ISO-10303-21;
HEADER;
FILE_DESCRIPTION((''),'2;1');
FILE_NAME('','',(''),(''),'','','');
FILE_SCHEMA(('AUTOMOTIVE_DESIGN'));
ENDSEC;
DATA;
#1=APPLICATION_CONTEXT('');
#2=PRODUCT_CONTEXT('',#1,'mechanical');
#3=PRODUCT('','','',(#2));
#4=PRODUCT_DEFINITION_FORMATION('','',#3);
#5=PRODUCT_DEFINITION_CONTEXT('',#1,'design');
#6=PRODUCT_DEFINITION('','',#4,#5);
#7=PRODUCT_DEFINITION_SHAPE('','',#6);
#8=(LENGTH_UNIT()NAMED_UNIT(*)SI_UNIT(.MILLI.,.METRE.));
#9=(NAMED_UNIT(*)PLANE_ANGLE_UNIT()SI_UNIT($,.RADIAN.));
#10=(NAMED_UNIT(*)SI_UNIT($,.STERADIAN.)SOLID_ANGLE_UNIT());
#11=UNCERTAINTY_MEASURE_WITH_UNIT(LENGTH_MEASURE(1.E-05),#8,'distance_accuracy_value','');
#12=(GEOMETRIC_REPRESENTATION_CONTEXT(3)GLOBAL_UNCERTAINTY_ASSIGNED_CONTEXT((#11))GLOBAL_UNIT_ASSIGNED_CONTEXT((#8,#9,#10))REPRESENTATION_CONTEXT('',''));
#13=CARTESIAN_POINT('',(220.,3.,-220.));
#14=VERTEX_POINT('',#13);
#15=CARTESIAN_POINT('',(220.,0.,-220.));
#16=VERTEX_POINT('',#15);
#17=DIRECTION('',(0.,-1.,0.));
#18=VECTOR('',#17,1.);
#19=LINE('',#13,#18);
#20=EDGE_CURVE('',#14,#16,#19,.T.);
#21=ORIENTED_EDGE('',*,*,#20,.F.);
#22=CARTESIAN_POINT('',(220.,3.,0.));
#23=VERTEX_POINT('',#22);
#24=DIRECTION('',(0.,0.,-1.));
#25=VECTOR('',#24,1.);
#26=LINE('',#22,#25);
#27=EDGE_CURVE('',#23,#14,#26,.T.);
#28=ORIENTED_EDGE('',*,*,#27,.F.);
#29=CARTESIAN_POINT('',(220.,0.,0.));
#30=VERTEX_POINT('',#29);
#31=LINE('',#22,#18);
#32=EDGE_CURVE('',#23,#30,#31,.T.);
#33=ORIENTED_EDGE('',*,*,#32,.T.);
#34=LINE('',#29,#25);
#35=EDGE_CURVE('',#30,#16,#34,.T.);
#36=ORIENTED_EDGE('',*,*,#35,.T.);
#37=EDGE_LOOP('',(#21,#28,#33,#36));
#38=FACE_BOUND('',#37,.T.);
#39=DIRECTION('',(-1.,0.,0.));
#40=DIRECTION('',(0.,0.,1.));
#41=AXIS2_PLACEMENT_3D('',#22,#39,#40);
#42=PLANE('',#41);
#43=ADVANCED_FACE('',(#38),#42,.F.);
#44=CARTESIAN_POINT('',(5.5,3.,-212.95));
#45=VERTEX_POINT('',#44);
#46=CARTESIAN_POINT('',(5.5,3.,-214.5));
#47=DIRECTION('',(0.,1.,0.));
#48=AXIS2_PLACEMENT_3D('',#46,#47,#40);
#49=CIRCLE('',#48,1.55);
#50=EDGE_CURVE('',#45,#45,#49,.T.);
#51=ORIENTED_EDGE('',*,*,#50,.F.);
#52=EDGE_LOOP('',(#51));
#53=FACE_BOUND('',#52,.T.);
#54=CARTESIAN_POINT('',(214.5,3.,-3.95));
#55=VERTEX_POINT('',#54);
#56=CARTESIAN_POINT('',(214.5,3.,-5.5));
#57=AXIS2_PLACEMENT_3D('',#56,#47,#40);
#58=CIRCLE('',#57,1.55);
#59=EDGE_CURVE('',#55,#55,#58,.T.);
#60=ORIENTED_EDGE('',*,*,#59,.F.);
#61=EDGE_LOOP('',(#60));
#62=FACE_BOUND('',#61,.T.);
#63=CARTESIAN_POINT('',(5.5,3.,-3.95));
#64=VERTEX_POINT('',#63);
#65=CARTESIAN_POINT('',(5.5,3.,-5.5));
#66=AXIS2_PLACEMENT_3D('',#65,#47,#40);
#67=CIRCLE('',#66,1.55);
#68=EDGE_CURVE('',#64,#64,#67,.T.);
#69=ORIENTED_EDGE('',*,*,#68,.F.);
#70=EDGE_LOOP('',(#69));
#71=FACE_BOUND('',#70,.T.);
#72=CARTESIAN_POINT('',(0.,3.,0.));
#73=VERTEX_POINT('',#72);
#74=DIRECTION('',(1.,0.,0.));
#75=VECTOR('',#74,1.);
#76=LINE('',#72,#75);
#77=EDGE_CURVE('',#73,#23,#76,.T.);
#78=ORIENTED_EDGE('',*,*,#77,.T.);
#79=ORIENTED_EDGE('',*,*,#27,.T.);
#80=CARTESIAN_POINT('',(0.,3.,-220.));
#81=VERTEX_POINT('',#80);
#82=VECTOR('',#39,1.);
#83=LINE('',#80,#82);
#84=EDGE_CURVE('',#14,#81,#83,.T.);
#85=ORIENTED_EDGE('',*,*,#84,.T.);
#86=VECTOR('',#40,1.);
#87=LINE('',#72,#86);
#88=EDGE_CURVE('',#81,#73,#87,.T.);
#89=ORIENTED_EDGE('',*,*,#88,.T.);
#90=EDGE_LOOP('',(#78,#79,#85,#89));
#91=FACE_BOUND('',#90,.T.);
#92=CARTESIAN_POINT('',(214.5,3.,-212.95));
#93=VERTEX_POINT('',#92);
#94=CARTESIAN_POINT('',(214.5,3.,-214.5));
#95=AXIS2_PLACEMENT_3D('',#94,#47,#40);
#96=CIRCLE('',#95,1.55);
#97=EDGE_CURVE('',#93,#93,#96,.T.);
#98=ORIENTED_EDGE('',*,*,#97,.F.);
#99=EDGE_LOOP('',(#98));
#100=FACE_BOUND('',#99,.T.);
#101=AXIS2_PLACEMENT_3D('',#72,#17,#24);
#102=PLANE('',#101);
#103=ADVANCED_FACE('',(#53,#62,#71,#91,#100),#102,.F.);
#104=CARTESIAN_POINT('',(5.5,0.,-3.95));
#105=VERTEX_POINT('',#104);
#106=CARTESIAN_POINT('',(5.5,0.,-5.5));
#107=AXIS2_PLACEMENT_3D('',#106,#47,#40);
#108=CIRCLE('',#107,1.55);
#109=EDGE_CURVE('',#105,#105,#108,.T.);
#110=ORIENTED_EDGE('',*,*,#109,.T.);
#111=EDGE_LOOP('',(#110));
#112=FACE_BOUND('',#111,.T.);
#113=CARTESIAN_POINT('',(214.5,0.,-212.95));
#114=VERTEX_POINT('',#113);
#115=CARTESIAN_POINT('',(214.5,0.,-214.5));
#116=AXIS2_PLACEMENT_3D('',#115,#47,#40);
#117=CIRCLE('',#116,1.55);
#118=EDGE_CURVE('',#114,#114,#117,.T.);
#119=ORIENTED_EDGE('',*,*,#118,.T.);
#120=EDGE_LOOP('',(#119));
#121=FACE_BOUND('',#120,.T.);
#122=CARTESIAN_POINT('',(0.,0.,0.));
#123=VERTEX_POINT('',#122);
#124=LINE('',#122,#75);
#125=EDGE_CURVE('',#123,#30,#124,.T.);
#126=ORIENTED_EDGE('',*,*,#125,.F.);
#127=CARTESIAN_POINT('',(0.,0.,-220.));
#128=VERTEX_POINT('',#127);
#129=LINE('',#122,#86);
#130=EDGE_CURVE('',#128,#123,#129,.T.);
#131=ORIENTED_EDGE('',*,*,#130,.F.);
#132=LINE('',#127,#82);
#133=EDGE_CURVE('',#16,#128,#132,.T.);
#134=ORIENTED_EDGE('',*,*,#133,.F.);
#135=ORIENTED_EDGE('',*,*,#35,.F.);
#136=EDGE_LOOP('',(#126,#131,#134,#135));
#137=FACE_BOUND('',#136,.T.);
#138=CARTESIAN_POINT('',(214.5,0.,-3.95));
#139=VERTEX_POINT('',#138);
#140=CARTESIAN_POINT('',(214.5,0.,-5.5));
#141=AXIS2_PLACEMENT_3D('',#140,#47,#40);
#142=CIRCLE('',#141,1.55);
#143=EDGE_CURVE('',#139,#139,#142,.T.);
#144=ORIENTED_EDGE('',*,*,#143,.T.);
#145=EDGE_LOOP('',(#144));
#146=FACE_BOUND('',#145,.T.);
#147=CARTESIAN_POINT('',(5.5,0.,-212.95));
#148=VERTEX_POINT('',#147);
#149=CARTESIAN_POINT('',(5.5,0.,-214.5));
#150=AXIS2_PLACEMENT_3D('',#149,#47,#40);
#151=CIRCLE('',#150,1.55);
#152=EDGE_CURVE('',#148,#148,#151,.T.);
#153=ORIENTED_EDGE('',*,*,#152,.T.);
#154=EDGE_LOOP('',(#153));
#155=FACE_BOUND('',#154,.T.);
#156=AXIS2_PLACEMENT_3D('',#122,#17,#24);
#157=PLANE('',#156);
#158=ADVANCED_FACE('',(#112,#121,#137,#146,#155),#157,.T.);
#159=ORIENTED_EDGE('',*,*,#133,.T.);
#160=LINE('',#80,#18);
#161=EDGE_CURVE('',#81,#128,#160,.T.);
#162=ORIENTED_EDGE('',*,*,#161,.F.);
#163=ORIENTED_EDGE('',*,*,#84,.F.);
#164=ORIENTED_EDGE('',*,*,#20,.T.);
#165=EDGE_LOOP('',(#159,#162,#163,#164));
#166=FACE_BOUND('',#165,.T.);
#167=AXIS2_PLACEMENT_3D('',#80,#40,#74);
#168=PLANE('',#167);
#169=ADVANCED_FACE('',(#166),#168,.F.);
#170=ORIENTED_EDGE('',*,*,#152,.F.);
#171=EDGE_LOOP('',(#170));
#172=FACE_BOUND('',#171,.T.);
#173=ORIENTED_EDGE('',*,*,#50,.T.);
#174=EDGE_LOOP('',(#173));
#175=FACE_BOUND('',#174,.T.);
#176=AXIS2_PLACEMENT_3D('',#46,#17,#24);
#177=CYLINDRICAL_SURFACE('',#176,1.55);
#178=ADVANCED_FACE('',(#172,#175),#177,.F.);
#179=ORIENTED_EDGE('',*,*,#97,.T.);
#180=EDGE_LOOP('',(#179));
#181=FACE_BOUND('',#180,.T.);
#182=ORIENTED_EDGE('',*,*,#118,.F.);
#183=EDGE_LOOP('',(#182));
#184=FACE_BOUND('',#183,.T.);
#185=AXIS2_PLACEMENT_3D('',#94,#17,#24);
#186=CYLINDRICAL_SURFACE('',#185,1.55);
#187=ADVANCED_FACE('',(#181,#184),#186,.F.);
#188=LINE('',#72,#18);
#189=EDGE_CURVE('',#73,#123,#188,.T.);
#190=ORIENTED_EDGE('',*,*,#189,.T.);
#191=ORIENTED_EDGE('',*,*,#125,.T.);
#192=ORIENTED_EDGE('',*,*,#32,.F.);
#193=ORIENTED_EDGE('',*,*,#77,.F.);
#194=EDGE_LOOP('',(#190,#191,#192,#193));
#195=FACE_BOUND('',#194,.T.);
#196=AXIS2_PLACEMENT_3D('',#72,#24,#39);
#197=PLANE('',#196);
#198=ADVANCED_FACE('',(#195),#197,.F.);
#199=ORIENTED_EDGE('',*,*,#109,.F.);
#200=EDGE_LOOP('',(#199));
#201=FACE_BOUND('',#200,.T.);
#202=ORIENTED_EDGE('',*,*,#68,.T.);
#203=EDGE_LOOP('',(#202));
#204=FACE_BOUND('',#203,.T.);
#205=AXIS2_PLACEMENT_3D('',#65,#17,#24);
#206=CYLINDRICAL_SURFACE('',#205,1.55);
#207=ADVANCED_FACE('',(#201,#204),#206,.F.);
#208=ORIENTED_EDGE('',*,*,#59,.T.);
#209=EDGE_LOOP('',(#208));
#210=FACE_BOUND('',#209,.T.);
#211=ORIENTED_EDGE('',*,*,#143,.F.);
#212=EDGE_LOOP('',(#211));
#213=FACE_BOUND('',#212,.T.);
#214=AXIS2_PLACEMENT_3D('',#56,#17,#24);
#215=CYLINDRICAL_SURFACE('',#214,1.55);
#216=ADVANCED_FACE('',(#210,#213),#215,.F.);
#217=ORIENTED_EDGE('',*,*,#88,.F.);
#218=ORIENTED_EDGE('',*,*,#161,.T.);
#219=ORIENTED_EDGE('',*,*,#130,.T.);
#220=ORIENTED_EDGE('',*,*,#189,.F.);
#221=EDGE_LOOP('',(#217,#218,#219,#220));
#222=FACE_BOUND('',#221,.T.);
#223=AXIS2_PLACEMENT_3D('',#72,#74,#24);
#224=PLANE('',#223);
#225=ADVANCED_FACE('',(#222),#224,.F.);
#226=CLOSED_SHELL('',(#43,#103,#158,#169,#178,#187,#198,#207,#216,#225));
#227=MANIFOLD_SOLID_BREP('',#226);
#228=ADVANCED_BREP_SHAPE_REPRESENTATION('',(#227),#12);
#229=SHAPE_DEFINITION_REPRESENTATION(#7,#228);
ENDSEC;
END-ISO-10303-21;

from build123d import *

# Parameters (mm, degrees)
SKETCH1_W           = 220
SKETCH1_H           = 220
SKETCH1_R           = 1.55
BOSS_EXTRUDE1_DEPTH = 3


with BuildPart() as part:
    # Sketch1 → Boss-Extrude1 (new body)
    with BuildSketch(Plane(origin=(0, 0, 0), x_dir=(1, 0, 0), z_dir=(0, 1, 0))):
        with Locations((110, 110)):
            Rectangle(SKETCH1_W, SKETCH1_H)
        with Locations(Location((5.5, 214.5, 0), (0, 0, 270))):
            Circle(SKETCH1_R, mode=Mode.SUBTRACT)
        with Locations(Location((5.5, 5.5, 0), (0, 0, 270))):
            Circle(SKETCH1_R, mode=Mode.SUBTRACT)
        with Locations(Location((214.5, 5.5, 0), (0, 0, 270))):
            Circle(SKETCH1_R, mode=Mode.SUBTRACT)
        with Locations(Location((214.5, 214.5, 0), (0, 0, 270))):
            Circle(SKETCH1_R, mode=Mode.SUBTRACT)
    extrude(amount=BOSS_EXTRUDE1_DEPTH)


solid = part.part
